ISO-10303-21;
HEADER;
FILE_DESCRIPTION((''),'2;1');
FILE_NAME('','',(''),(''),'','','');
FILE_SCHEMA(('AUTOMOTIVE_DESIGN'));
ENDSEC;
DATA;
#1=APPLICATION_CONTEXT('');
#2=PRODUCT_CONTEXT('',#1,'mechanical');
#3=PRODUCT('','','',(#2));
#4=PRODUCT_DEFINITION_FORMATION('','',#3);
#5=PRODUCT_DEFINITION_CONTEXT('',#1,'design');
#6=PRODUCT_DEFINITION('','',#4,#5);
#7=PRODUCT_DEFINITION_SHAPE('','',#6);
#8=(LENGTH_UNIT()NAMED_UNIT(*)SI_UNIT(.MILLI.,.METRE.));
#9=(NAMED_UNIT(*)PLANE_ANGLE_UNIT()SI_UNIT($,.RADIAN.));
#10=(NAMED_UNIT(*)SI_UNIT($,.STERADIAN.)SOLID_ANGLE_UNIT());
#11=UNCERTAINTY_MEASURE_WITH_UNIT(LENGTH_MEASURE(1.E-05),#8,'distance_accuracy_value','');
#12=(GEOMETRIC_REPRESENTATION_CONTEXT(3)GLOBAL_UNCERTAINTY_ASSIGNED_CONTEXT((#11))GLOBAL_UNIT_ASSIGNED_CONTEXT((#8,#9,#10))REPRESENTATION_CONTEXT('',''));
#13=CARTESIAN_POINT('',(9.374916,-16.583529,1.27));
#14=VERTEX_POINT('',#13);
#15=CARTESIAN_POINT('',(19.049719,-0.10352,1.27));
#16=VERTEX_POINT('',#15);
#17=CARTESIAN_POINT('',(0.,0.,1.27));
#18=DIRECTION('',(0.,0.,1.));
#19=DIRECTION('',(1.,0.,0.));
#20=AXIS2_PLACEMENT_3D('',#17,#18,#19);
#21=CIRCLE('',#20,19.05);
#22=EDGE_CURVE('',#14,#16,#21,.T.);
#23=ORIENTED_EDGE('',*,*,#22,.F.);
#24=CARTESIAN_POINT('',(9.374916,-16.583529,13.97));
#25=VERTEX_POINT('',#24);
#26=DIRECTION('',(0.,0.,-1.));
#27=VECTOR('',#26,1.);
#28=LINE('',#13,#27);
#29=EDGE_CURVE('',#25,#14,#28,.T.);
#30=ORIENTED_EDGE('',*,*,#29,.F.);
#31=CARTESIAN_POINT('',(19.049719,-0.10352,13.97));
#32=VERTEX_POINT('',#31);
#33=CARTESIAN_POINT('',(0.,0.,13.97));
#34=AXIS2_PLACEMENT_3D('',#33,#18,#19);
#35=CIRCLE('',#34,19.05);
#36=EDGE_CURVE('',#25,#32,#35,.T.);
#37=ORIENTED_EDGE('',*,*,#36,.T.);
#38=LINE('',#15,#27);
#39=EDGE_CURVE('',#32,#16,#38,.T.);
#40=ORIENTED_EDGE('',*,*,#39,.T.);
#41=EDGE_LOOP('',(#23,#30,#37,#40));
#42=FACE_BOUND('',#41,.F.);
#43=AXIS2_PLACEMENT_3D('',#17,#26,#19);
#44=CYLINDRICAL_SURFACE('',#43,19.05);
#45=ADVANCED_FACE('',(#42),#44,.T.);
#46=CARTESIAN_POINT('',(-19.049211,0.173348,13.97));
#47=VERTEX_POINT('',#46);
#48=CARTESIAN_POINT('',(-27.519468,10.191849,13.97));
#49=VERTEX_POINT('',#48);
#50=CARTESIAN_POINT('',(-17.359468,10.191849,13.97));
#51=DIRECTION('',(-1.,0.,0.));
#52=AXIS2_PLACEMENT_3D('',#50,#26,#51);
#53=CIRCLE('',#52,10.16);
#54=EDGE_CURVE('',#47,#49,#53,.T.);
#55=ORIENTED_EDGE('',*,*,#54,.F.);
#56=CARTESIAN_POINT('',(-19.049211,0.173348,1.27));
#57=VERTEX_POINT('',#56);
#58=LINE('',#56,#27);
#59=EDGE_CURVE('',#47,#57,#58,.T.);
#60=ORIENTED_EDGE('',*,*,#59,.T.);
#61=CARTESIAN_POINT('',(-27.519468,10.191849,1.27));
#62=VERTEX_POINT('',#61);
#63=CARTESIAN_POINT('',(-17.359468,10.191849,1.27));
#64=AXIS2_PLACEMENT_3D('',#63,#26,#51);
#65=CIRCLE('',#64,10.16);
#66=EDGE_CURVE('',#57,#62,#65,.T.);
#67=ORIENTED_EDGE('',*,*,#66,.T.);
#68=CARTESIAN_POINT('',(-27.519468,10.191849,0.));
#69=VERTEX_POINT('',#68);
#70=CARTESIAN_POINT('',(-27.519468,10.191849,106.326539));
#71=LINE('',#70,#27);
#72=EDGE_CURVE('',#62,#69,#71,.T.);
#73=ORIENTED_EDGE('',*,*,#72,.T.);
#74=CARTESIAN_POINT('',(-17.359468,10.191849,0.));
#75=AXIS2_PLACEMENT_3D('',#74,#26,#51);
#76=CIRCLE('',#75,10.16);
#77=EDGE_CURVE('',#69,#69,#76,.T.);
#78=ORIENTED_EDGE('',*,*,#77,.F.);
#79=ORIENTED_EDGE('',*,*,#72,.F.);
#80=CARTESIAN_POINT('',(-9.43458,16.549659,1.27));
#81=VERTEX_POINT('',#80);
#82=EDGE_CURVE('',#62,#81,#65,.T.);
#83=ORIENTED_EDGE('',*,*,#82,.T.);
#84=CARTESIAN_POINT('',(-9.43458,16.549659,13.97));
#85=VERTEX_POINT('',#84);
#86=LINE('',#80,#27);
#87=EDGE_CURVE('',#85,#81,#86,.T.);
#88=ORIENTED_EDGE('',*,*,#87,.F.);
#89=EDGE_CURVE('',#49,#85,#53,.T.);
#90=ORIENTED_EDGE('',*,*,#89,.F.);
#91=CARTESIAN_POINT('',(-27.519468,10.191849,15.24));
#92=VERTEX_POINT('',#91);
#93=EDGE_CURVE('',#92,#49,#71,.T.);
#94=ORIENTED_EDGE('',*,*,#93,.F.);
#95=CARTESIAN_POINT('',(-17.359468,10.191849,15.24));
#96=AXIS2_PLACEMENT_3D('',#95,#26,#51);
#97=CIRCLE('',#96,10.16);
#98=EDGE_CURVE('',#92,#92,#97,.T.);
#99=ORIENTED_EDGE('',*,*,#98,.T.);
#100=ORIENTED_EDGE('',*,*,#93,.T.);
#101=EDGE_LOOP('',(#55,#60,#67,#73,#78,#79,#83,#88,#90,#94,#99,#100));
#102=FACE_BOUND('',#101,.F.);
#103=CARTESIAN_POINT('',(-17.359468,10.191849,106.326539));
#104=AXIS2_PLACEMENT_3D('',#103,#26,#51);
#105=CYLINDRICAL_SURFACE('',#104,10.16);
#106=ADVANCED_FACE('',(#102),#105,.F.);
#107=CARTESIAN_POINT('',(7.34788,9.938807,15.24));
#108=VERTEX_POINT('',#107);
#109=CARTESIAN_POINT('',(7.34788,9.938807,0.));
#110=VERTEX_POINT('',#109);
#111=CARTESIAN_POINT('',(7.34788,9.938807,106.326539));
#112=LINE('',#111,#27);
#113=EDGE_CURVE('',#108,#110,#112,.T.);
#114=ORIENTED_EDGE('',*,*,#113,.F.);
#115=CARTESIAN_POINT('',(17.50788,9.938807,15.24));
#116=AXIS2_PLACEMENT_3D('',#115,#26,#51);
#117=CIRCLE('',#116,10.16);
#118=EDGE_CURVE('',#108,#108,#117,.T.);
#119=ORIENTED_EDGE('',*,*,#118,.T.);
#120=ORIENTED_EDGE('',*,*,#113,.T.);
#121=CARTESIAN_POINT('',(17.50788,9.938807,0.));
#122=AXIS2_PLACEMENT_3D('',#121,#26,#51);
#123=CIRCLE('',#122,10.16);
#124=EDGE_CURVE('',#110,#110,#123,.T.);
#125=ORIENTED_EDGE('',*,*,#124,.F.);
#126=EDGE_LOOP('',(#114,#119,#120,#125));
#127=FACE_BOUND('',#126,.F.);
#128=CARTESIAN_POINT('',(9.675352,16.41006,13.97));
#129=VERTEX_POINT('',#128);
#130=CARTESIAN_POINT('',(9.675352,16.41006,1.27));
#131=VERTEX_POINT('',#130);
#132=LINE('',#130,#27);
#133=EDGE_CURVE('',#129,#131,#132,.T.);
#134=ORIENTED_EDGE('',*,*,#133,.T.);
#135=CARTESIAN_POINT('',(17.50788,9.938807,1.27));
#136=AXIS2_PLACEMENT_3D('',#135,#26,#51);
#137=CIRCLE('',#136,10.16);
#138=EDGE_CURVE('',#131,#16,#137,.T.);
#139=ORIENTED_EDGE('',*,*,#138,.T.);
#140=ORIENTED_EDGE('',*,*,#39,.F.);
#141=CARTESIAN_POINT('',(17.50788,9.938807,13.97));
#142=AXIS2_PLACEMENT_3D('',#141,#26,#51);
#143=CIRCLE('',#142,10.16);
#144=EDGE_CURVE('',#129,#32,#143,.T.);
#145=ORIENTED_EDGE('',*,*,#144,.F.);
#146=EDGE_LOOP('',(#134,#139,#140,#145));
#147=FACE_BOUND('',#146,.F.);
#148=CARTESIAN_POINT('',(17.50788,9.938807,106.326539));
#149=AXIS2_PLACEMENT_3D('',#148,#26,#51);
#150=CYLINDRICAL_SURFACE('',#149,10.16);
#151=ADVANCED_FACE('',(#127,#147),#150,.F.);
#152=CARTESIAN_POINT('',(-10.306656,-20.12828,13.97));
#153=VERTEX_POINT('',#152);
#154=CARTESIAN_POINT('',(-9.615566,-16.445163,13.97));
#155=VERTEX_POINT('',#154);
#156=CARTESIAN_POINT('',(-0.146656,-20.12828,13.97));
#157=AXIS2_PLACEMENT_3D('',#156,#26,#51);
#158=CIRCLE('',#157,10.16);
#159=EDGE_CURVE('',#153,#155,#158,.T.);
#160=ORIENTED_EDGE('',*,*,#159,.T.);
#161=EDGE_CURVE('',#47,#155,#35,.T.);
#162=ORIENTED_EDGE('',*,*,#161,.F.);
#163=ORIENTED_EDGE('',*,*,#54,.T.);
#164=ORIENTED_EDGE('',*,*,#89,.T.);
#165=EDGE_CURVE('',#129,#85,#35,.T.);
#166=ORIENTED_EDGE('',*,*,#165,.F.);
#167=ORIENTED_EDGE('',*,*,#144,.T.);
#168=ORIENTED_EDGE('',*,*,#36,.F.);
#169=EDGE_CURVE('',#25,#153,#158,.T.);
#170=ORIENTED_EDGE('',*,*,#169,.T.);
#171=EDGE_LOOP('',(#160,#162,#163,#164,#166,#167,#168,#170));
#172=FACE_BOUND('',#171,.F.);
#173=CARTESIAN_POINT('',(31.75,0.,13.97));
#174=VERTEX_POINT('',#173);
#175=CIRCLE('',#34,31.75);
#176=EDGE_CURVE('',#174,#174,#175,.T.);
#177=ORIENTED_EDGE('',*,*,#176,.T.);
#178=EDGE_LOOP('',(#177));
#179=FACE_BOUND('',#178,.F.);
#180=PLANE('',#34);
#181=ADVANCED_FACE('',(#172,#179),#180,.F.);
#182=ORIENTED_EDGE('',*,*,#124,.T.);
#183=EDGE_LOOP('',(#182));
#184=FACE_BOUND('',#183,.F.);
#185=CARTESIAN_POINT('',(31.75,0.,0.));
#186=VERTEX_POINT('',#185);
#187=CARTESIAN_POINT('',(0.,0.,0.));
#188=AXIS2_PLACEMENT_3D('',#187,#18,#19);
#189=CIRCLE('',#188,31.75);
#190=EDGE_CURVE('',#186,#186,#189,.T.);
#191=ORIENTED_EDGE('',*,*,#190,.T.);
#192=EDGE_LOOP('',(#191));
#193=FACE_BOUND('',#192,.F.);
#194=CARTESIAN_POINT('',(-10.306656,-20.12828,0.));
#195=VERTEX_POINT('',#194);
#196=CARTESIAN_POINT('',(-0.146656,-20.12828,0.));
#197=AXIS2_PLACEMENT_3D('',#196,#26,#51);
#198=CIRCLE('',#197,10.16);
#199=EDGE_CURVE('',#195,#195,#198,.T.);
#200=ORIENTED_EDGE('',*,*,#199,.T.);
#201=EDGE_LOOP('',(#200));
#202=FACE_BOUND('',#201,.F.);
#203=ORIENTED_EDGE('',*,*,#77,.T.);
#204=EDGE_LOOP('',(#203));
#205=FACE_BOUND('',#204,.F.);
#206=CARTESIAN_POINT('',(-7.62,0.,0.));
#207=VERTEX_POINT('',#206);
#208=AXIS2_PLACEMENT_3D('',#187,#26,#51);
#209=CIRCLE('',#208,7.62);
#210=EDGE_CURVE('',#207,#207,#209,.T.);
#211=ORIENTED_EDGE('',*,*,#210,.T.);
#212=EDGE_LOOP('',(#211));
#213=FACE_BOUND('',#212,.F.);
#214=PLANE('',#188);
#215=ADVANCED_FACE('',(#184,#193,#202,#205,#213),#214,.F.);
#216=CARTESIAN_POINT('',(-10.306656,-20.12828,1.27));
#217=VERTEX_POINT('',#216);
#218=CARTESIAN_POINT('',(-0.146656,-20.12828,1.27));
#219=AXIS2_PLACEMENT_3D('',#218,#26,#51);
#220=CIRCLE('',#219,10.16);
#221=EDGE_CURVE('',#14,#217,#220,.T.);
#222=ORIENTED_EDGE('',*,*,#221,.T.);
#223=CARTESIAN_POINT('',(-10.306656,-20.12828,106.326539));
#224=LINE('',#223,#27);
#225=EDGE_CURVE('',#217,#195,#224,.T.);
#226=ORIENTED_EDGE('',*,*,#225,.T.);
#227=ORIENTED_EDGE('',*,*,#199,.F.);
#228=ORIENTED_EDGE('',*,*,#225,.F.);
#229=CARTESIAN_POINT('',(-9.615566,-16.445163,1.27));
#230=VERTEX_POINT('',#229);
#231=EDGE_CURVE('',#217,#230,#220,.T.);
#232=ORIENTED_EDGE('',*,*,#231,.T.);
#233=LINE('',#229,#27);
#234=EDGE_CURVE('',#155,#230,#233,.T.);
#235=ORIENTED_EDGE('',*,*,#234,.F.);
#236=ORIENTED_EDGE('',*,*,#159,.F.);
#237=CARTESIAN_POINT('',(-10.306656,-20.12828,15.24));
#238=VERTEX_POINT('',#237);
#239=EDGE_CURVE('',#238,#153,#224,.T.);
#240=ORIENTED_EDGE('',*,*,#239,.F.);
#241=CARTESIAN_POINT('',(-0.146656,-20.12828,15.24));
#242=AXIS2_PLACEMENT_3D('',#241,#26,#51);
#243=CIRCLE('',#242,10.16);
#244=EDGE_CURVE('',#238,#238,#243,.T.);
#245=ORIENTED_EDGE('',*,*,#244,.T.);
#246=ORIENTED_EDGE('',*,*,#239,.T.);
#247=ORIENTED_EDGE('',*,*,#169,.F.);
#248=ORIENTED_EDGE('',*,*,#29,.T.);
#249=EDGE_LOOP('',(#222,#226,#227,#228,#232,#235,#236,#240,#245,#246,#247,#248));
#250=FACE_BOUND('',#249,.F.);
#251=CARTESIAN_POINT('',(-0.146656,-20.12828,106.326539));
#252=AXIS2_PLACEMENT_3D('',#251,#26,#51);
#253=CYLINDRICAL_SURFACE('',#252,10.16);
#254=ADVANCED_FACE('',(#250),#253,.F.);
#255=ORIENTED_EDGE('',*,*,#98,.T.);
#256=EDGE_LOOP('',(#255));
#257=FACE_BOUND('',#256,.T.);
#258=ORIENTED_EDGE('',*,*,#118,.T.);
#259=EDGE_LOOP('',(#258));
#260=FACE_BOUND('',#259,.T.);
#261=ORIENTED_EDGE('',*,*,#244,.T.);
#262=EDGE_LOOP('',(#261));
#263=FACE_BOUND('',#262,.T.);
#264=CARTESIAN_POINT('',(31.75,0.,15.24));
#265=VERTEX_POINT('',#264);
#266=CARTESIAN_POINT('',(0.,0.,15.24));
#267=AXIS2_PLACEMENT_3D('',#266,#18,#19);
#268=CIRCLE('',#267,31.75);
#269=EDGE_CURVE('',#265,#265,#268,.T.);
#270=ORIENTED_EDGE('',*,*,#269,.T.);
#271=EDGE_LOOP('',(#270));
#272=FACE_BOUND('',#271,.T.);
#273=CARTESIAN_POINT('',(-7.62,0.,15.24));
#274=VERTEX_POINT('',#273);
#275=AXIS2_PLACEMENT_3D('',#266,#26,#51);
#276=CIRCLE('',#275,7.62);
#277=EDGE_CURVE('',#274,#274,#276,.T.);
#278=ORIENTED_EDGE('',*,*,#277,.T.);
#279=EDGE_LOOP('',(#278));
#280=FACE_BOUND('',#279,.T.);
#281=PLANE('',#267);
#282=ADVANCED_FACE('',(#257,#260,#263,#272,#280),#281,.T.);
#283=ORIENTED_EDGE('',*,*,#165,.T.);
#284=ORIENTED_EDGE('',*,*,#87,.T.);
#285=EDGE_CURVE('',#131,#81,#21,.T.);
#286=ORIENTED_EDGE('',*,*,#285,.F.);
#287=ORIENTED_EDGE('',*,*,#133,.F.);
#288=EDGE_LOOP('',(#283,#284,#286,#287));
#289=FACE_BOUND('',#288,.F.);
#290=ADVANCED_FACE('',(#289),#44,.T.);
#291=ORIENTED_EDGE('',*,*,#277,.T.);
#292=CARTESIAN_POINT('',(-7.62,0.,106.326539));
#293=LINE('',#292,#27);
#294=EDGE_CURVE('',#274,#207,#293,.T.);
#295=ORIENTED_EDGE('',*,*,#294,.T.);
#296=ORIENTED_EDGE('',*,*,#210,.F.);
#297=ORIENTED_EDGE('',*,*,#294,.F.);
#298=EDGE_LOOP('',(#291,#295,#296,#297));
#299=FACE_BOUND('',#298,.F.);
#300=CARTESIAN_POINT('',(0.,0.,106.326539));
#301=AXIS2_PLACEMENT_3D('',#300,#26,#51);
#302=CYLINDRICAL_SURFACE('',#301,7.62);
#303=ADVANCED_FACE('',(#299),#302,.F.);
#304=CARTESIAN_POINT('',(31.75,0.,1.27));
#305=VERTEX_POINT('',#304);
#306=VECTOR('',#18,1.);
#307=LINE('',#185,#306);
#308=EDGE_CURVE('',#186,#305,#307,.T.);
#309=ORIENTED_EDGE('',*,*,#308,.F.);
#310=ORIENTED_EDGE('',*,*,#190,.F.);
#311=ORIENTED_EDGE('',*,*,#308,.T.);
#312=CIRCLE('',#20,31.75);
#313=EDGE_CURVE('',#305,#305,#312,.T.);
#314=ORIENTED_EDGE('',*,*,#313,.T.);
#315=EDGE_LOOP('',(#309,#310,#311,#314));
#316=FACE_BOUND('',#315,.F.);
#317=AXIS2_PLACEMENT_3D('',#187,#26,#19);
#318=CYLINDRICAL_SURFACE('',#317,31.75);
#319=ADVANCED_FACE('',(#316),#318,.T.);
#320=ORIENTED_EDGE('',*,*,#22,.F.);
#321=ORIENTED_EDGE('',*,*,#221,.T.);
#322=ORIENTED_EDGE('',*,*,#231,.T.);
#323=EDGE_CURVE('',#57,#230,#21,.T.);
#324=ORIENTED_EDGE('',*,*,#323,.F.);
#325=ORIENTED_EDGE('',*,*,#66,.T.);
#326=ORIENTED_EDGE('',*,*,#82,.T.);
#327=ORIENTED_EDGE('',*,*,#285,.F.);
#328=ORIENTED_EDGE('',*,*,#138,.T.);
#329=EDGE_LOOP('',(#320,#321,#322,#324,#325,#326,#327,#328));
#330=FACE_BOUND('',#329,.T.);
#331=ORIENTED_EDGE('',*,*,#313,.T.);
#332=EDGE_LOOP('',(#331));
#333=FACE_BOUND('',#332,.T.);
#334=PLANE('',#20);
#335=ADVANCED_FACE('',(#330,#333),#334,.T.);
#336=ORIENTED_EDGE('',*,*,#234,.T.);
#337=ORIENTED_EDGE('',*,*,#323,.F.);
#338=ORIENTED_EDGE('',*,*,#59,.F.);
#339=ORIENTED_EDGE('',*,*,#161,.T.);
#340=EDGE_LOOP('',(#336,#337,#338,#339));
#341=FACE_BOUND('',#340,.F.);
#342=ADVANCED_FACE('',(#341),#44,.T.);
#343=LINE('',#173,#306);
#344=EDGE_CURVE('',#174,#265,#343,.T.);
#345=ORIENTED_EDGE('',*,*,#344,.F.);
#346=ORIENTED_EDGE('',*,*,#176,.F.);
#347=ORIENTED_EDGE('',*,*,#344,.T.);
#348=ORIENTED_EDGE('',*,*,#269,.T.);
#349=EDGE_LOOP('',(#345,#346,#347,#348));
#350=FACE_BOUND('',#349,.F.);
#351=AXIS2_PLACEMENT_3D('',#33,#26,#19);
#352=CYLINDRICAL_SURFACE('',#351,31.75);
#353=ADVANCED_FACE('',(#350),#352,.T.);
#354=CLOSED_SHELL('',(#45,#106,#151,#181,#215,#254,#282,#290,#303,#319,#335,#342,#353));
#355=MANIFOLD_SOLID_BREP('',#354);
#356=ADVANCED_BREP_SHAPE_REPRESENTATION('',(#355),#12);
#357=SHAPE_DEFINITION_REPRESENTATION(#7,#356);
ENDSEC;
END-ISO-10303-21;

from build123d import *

# Parameters (mm, degrees)
F0_R     = 31.75
F1_DEPTH = 1.27
F2_R     = 19.05
F3_DEPTH = 12.7
F4_R     = 31.75
F5_DEPTH = 1.27
F7_D     = 20.32
F8_D     = 20.32
F9_D     = 20.32
F11_D    = 15.24


with BuildPart() as f1:
    # F0 (on Top) → F1 (new body)
    with BuildSketch(Plane.XY):
        Circle(F0_R)
    extrude(amount=F1_DEPTH)

    # F2 (on face) → F3 (join)
    with BuildSketch(Plane.XY.offset(1.27)):
        Circle(F2_R)
    extrude(amount=F3_DEPTH)

    # F4 (on face) → F5 (join)
    with BuildSketch(Plane.XY.offset(13.97)):
        Circle(F4_R)
    extrude(amount=F5_DEPTH)

    # F7 (through all)
    with Locations(Plane.XY.offset(15.24)):
        with Locations((17.50788, 9.938807)):
            Hole(F7_D / 2)

    # F8 (through all)
    with Locations(Plane.XY.offset(15.24)):
        with Locations((-0.146656, -20.12828)):
            Hole(F8_D / 2)

    # F9 (through all)
    with Locations(Plane.XY.offset(15.24)):
        with Locations((-17.359468, 10.191849)):
            Hole(F9_D / 2)

    # F11 (through all)
    with Locations(Plane.XY.offset(15.24)):
        with Locations((0, 0)):
            Hole(F11_D / 2)


solid = f1.part
